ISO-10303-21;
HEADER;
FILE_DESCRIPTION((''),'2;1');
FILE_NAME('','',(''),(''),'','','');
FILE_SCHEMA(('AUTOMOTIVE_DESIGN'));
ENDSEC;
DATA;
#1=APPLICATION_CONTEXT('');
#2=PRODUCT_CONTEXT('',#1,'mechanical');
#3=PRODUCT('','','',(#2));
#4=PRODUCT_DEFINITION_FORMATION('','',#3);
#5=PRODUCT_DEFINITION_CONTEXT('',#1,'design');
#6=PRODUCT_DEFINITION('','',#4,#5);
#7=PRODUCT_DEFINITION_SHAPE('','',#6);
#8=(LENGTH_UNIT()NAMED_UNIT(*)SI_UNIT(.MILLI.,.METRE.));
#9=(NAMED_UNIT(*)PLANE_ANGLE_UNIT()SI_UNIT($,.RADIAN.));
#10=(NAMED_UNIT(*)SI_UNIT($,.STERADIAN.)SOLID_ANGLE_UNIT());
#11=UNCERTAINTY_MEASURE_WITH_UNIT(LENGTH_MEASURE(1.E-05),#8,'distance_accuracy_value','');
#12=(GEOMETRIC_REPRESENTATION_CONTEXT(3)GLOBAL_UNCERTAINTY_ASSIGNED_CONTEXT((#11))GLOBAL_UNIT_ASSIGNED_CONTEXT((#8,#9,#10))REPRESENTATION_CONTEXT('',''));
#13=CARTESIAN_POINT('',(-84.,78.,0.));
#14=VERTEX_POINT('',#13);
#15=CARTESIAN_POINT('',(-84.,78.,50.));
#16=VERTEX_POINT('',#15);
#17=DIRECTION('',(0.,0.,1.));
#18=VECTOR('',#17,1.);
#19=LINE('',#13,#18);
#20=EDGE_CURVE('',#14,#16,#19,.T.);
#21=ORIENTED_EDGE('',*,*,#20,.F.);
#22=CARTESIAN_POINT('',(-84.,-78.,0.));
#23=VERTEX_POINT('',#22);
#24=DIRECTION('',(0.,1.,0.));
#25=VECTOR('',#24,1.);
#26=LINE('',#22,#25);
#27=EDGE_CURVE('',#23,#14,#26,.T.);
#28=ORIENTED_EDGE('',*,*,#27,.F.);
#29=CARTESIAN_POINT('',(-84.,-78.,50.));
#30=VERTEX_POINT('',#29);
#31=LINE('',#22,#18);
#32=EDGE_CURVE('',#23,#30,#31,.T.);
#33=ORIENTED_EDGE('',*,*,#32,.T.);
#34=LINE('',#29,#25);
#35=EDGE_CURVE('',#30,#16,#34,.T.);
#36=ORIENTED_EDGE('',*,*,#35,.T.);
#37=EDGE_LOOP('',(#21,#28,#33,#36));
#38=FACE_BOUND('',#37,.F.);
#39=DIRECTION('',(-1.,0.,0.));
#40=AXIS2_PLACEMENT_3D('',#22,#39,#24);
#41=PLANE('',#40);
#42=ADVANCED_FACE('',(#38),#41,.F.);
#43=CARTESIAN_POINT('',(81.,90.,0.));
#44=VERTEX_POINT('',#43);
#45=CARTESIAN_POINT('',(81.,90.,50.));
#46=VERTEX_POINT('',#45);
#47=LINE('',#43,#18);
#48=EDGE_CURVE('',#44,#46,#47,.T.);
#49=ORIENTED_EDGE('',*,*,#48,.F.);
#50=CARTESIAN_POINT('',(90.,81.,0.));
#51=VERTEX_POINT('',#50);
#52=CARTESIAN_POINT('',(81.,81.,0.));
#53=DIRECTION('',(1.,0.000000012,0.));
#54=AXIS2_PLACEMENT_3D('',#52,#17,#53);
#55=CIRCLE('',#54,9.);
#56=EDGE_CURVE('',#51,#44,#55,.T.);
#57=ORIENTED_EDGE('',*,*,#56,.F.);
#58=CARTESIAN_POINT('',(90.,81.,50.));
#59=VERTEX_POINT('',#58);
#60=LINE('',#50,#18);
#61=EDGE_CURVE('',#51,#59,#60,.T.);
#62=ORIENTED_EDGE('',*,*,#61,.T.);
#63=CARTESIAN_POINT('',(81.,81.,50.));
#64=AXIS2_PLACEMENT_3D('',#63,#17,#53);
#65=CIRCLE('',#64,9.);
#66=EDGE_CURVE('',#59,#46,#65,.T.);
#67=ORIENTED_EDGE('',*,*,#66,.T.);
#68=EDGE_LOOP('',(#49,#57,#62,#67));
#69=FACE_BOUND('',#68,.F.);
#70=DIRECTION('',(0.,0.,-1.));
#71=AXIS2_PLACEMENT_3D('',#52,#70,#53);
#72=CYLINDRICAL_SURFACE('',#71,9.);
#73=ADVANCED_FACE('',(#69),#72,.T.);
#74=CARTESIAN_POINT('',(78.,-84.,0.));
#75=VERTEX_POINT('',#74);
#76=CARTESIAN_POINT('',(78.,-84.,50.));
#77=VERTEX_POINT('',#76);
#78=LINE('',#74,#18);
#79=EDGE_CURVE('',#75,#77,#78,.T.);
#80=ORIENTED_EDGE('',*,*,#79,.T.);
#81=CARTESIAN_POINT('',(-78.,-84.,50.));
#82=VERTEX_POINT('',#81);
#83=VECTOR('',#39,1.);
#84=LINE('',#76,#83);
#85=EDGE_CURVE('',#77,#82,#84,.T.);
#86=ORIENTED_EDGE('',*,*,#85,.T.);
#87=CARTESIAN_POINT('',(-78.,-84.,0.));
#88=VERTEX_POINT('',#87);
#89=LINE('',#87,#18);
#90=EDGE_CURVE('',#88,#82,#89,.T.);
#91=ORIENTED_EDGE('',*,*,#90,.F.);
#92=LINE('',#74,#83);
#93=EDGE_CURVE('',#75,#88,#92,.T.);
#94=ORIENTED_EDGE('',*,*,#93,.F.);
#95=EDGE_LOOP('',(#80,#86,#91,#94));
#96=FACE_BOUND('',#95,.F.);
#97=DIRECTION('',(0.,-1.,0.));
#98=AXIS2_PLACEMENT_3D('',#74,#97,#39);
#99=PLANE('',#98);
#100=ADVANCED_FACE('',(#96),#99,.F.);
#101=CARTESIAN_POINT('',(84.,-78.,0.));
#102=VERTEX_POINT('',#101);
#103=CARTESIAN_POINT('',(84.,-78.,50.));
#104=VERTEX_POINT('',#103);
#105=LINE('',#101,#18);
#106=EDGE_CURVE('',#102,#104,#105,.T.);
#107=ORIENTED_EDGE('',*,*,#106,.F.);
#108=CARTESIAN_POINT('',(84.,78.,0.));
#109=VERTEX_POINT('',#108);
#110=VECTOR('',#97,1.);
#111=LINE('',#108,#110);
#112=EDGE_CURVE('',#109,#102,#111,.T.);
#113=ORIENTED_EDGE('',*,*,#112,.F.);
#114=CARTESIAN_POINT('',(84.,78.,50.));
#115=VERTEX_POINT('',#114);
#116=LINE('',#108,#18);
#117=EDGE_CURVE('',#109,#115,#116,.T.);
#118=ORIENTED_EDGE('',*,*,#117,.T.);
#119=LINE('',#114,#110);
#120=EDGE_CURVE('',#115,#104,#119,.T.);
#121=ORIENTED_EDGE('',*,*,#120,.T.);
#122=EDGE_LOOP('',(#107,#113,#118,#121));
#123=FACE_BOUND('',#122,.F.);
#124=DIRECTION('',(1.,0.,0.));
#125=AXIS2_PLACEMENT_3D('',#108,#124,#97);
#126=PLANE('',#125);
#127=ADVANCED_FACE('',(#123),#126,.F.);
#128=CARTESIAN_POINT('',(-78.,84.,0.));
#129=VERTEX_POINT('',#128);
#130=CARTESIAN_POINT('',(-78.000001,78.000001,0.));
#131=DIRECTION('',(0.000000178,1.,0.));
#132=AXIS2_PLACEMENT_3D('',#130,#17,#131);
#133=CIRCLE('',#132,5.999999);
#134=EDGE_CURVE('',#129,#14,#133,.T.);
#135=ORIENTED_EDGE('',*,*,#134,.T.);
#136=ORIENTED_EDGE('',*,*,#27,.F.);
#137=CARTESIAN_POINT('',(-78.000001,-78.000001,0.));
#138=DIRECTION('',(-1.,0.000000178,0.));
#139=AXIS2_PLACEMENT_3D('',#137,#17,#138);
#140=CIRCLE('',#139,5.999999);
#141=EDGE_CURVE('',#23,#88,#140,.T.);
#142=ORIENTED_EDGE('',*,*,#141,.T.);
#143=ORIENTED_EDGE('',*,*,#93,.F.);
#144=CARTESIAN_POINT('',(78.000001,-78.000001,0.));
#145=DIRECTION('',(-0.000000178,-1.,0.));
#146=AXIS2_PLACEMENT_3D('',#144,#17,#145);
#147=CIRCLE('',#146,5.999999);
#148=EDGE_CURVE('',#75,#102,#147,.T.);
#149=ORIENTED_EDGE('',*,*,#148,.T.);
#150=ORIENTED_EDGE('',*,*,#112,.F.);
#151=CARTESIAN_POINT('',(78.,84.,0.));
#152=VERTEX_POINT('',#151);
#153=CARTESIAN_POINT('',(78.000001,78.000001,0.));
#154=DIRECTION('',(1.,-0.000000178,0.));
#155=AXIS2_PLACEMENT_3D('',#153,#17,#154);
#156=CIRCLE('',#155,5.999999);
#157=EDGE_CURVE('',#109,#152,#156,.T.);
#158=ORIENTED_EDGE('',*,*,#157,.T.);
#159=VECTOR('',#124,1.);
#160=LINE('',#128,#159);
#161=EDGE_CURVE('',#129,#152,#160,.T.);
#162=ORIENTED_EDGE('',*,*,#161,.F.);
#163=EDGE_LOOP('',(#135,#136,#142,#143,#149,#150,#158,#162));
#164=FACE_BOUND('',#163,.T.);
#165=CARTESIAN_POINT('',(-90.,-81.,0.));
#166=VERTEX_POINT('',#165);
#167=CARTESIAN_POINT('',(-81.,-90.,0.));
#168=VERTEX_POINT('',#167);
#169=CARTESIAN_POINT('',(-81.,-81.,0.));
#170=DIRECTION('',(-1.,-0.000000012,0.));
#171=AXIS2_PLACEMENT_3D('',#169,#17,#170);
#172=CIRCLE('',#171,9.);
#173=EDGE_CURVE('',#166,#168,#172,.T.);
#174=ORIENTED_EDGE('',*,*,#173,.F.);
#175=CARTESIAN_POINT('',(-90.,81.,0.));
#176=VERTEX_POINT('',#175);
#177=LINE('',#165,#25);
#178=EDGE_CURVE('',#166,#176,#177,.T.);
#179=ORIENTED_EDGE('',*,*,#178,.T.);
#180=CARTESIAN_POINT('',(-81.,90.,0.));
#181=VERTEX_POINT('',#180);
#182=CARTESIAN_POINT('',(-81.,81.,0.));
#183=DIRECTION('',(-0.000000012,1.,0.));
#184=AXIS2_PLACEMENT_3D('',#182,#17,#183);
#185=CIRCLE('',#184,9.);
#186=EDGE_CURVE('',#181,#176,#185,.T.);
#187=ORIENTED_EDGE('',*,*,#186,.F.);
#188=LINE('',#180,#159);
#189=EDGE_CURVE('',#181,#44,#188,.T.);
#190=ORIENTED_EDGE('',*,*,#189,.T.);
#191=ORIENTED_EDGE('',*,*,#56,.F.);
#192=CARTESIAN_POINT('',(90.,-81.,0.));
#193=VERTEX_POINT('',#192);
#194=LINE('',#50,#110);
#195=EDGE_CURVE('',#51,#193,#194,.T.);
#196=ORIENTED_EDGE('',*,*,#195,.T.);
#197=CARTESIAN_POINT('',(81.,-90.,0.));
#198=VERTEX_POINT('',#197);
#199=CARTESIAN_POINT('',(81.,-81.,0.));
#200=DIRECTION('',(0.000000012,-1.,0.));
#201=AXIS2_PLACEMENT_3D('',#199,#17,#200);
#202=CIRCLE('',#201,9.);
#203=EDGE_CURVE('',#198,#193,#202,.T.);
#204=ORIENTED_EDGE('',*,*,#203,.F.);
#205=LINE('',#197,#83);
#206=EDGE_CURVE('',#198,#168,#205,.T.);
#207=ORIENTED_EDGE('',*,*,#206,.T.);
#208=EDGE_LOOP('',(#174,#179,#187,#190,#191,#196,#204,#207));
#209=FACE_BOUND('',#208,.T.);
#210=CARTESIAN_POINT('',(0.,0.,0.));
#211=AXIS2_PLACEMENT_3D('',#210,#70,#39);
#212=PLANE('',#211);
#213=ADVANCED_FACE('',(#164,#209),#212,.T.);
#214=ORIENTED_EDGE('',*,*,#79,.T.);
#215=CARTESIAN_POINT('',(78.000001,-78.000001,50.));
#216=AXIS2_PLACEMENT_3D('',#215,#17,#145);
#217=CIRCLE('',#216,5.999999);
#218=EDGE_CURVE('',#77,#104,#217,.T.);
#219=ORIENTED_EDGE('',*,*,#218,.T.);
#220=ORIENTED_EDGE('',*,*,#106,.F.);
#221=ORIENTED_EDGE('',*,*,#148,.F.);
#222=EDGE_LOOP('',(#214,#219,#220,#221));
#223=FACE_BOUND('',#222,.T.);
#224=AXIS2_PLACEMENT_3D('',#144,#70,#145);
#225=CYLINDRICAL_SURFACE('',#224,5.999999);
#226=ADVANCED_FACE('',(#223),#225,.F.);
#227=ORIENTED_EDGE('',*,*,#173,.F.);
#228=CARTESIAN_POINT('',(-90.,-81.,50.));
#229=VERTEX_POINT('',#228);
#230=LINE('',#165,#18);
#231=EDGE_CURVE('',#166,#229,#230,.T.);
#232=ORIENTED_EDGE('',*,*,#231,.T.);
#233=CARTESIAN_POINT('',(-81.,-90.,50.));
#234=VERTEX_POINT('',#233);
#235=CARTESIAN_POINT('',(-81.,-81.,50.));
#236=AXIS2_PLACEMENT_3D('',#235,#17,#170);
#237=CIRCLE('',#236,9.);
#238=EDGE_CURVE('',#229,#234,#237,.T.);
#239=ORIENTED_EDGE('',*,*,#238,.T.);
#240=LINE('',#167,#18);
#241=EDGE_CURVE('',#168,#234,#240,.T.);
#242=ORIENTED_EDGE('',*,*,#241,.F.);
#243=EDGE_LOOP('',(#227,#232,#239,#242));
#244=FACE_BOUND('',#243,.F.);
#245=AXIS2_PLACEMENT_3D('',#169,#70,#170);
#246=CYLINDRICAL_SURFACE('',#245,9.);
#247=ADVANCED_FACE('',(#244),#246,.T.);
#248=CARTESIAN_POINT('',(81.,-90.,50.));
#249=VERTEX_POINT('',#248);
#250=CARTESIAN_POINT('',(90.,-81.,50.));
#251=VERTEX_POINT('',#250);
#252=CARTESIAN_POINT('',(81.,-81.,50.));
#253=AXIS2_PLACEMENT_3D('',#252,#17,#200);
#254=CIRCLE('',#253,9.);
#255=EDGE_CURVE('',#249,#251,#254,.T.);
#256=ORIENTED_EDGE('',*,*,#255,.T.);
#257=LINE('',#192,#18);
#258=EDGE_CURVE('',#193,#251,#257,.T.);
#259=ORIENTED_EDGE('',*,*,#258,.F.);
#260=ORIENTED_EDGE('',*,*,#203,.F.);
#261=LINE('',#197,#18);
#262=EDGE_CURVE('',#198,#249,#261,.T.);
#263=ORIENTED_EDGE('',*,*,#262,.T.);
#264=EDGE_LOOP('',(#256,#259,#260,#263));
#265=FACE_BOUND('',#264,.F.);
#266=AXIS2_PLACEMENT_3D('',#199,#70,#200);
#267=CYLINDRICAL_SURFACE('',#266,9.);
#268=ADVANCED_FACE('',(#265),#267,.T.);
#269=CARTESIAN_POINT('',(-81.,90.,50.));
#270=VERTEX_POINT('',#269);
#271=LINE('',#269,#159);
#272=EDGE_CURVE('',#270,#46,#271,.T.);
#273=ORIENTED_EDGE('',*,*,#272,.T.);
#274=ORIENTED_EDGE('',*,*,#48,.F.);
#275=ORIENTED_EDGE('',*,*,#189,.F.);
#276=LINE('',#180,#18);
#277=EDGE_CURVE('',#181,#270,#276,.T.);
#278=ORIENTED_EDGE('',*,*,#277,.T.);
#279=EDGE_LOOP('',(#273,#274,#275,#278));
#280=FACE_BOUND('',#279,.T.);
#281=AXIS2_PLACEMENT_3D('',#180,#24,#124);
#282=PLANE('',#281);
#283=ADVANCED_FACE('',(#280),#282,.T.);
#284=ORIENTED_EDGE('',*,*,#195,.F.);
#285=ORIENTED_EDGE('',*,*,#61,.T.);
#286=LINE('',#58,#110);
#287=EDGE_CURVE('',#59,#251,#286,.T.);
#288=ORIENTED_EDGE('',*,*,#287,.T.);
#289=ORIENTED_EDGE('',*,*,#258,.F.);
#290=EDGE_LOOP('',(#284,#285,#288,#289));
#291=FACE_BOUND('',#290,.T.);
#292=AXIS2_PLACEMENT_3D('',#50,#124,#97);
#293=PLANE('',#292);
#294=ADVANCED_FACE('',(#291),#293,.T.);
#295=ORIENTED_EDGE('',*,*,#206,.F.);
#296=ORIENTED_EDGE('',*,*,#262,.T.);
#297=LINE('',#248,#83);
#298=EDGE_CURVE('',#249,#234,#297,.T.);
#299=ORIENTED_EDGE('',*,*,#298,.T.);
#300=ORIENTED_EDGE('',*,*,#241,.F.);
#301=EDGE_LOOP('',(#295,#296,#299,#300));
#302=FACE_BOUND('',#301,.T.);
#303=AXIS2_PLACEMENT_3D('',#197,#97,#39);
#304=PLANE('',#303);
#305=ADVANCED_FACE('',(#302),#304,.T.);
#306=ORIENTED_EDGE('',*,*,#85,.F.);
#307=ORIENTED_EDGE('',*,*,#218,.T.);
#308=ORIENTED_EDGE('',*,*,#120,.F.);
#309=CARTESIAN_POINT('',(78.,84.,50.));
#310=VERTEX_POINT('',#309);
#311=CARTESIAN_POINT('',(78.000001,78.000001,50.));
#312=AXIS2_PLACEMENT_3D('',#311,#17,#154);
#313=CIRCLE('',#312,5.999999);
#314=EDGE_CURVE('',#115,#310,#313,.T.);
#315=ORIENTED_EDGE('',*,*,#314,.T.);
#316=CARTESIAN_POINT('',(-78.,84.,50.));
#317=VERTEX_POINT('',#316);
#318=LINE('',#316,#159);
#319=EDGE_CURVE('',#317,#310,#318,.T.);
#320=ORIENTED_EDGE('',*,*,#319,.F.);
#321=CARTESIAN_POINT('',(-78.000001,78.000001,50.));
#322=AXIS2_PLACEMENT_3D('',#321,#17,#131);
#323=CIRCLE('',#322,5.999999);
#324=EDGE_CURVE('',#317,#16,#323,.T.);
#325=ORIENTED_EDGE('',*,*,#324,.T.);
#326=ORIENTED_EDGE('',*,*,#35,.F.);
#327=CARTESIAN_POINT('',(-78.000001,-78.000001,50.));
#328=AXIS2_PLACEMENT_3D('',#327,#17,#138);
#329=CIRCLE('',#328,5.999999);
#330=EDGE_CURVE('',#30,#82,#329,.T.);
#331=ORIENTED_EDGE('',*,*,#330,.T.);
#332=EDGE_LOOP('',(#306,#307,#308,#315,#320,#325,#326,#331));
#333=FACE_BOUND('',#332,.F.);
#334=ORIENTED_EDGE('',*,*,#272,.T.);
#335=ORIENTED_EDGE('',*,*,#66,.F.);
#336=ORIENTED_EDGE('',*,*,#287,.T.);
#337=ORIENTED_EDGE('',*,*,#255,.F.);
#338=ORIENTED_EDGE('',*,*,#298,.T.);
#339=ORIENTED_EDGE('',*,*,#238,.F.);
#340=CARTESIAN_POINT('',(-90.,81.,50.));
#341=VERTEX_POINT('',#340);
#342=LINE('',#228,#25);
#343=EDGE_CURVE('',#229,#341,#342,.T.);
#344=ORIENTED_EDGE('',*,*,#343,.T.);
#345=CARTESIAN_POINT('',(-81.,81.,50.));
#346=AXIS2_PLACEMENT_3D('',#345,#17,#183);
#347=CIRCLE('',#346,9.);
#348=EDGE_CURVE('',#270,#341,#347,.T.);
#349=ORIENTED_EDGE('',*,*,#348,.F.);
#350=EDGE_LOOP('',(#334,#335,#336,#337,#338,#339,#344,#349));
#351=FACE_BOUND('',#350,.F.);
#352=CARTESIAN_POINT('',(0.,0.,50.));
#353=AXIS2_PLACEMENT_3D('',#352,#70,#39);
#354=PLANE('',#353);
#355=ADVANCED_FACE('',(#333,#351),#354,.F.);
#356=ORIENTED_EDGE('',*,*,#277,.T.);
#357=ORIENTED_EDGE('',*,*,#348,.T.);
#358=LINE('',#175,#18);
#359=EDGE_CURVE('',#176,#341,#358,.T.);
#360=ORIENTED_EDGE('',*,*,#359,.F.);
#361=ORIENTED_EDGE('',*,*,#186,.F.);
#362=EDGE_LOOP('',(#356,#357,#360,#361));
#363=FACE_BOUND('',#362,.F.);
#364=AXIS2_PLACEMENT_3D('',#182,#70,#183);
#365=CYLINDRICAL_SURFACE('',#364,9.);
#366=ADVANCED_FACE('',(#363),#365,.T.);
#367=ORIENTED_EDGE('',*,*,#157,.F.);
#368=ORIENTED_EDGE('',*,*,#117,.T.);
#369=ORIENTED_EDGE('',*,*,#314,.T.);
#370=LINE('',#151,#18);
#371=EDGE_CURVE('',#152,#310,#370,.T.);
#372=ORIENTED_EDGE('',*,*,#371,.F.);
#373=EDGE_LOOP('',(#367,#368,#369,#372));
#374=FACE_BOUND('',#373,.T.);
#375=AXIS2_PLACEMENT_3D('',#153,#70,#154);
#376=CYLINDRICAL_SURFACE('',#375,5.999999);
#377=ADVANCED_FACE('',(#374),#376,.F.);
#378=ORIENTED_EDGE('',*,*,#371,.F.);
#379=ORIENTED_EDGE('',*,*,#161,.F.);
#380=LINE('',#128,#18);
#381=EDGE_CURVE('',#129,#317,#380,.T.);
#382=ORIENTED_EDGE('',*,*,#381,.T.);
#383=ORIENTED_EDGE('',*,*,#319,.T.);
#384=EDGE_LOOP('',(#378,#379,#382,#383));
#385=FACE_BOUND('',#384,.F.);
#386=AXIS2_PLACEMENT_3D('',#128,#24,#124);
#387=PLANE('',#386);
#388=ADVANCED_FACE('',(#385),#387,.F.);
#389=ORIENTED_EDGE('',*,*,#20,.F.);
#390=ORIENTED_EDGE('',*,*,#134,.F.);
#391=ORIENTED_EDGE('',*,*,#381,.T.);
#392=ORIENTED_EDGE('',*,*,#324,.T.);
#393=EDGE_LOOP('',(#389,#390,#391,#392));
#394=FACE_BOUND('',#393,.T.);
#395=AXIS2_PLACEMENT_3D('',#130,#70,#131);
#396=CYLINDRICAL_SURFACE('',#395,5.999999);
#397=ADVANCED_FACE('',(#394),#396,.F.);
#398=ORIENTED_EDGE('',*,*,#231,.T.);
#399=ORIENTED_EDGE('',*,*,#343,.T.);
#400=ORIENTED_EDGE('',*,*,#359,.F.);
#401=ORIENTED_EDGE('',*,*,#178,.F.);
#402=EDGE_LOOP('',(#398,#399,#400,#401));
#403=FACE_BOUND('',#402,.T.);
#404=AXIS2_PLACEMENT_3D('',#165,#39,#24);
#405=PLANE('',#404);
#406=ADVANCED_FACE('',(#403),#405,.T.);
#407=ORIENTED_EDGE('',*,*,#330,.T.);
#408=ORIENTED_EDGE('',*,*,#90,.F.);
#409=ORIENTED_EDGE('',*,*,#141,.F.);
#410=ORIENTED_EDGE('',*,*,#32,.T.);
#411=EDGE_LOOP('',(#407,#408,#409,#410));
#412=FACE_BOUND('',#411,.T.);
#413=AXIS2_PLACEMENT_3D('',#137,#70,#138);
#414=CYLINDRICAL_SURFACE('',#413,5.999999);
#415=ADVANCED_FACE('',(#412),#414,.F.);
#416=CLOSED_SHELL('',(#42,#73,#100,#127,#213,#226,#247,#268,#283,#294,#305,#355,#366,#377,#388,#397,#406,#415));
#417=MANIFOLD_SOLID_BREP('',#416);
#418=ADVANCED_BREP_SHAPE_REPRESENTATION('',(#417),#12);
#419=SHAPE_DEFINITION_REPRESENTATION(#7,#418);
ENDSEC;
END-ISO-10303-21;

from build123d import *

# Parameters (mm, degrees)
EXTRUDE_DEPTH = 50


with BuildPart() as part:
    # Sketch → Extrude (new body)
    with BuildSketch(Plane.XY):
        with BuildLine():
            Line((-81, 90), (81, 90))
            ThreePointArc((90, 81), (87.363961, 87.363961), (81, 90))
            Line((90, 81), (90, -81))
            ThreePointArc((81, -90), (87.363961, -87.363961), (90, -81))
            Line((81, -90), (-81, -90))
            ThreePointArc((-90, -81), (-87.363961, -87.363961), (-81, -90))
            Line((-90, -81), (-90, 81))
            ThreePointArc((-81, 90), (-87.363961, 87.363961), (-90, 81))
        make_face()
        with BuildLine():
            Line((-78, 84), (78, 84))
            ThreePointArc((84, 78), (82.242641, 82.242641), (78, 84))
            Line((84, 78), (84, -78))
            ThreePointArc((78, -84), (82.242641, -82.242641), (84, -78))
            Line((78, -84), (-78, -84))
            ThreePointArc((-84, -78), (-82.242641, -82.242641), (-78, -84))
            Line((-84, -78), (-84, 78))
            ThreePointArc((-78, 84), (-82.242641, 82.242641), (-84, 78))
        make_face(mode=Mode.SUBTRACT)
    extrude(amount=EXTRUDE_DEPTH)


solid = part.part
